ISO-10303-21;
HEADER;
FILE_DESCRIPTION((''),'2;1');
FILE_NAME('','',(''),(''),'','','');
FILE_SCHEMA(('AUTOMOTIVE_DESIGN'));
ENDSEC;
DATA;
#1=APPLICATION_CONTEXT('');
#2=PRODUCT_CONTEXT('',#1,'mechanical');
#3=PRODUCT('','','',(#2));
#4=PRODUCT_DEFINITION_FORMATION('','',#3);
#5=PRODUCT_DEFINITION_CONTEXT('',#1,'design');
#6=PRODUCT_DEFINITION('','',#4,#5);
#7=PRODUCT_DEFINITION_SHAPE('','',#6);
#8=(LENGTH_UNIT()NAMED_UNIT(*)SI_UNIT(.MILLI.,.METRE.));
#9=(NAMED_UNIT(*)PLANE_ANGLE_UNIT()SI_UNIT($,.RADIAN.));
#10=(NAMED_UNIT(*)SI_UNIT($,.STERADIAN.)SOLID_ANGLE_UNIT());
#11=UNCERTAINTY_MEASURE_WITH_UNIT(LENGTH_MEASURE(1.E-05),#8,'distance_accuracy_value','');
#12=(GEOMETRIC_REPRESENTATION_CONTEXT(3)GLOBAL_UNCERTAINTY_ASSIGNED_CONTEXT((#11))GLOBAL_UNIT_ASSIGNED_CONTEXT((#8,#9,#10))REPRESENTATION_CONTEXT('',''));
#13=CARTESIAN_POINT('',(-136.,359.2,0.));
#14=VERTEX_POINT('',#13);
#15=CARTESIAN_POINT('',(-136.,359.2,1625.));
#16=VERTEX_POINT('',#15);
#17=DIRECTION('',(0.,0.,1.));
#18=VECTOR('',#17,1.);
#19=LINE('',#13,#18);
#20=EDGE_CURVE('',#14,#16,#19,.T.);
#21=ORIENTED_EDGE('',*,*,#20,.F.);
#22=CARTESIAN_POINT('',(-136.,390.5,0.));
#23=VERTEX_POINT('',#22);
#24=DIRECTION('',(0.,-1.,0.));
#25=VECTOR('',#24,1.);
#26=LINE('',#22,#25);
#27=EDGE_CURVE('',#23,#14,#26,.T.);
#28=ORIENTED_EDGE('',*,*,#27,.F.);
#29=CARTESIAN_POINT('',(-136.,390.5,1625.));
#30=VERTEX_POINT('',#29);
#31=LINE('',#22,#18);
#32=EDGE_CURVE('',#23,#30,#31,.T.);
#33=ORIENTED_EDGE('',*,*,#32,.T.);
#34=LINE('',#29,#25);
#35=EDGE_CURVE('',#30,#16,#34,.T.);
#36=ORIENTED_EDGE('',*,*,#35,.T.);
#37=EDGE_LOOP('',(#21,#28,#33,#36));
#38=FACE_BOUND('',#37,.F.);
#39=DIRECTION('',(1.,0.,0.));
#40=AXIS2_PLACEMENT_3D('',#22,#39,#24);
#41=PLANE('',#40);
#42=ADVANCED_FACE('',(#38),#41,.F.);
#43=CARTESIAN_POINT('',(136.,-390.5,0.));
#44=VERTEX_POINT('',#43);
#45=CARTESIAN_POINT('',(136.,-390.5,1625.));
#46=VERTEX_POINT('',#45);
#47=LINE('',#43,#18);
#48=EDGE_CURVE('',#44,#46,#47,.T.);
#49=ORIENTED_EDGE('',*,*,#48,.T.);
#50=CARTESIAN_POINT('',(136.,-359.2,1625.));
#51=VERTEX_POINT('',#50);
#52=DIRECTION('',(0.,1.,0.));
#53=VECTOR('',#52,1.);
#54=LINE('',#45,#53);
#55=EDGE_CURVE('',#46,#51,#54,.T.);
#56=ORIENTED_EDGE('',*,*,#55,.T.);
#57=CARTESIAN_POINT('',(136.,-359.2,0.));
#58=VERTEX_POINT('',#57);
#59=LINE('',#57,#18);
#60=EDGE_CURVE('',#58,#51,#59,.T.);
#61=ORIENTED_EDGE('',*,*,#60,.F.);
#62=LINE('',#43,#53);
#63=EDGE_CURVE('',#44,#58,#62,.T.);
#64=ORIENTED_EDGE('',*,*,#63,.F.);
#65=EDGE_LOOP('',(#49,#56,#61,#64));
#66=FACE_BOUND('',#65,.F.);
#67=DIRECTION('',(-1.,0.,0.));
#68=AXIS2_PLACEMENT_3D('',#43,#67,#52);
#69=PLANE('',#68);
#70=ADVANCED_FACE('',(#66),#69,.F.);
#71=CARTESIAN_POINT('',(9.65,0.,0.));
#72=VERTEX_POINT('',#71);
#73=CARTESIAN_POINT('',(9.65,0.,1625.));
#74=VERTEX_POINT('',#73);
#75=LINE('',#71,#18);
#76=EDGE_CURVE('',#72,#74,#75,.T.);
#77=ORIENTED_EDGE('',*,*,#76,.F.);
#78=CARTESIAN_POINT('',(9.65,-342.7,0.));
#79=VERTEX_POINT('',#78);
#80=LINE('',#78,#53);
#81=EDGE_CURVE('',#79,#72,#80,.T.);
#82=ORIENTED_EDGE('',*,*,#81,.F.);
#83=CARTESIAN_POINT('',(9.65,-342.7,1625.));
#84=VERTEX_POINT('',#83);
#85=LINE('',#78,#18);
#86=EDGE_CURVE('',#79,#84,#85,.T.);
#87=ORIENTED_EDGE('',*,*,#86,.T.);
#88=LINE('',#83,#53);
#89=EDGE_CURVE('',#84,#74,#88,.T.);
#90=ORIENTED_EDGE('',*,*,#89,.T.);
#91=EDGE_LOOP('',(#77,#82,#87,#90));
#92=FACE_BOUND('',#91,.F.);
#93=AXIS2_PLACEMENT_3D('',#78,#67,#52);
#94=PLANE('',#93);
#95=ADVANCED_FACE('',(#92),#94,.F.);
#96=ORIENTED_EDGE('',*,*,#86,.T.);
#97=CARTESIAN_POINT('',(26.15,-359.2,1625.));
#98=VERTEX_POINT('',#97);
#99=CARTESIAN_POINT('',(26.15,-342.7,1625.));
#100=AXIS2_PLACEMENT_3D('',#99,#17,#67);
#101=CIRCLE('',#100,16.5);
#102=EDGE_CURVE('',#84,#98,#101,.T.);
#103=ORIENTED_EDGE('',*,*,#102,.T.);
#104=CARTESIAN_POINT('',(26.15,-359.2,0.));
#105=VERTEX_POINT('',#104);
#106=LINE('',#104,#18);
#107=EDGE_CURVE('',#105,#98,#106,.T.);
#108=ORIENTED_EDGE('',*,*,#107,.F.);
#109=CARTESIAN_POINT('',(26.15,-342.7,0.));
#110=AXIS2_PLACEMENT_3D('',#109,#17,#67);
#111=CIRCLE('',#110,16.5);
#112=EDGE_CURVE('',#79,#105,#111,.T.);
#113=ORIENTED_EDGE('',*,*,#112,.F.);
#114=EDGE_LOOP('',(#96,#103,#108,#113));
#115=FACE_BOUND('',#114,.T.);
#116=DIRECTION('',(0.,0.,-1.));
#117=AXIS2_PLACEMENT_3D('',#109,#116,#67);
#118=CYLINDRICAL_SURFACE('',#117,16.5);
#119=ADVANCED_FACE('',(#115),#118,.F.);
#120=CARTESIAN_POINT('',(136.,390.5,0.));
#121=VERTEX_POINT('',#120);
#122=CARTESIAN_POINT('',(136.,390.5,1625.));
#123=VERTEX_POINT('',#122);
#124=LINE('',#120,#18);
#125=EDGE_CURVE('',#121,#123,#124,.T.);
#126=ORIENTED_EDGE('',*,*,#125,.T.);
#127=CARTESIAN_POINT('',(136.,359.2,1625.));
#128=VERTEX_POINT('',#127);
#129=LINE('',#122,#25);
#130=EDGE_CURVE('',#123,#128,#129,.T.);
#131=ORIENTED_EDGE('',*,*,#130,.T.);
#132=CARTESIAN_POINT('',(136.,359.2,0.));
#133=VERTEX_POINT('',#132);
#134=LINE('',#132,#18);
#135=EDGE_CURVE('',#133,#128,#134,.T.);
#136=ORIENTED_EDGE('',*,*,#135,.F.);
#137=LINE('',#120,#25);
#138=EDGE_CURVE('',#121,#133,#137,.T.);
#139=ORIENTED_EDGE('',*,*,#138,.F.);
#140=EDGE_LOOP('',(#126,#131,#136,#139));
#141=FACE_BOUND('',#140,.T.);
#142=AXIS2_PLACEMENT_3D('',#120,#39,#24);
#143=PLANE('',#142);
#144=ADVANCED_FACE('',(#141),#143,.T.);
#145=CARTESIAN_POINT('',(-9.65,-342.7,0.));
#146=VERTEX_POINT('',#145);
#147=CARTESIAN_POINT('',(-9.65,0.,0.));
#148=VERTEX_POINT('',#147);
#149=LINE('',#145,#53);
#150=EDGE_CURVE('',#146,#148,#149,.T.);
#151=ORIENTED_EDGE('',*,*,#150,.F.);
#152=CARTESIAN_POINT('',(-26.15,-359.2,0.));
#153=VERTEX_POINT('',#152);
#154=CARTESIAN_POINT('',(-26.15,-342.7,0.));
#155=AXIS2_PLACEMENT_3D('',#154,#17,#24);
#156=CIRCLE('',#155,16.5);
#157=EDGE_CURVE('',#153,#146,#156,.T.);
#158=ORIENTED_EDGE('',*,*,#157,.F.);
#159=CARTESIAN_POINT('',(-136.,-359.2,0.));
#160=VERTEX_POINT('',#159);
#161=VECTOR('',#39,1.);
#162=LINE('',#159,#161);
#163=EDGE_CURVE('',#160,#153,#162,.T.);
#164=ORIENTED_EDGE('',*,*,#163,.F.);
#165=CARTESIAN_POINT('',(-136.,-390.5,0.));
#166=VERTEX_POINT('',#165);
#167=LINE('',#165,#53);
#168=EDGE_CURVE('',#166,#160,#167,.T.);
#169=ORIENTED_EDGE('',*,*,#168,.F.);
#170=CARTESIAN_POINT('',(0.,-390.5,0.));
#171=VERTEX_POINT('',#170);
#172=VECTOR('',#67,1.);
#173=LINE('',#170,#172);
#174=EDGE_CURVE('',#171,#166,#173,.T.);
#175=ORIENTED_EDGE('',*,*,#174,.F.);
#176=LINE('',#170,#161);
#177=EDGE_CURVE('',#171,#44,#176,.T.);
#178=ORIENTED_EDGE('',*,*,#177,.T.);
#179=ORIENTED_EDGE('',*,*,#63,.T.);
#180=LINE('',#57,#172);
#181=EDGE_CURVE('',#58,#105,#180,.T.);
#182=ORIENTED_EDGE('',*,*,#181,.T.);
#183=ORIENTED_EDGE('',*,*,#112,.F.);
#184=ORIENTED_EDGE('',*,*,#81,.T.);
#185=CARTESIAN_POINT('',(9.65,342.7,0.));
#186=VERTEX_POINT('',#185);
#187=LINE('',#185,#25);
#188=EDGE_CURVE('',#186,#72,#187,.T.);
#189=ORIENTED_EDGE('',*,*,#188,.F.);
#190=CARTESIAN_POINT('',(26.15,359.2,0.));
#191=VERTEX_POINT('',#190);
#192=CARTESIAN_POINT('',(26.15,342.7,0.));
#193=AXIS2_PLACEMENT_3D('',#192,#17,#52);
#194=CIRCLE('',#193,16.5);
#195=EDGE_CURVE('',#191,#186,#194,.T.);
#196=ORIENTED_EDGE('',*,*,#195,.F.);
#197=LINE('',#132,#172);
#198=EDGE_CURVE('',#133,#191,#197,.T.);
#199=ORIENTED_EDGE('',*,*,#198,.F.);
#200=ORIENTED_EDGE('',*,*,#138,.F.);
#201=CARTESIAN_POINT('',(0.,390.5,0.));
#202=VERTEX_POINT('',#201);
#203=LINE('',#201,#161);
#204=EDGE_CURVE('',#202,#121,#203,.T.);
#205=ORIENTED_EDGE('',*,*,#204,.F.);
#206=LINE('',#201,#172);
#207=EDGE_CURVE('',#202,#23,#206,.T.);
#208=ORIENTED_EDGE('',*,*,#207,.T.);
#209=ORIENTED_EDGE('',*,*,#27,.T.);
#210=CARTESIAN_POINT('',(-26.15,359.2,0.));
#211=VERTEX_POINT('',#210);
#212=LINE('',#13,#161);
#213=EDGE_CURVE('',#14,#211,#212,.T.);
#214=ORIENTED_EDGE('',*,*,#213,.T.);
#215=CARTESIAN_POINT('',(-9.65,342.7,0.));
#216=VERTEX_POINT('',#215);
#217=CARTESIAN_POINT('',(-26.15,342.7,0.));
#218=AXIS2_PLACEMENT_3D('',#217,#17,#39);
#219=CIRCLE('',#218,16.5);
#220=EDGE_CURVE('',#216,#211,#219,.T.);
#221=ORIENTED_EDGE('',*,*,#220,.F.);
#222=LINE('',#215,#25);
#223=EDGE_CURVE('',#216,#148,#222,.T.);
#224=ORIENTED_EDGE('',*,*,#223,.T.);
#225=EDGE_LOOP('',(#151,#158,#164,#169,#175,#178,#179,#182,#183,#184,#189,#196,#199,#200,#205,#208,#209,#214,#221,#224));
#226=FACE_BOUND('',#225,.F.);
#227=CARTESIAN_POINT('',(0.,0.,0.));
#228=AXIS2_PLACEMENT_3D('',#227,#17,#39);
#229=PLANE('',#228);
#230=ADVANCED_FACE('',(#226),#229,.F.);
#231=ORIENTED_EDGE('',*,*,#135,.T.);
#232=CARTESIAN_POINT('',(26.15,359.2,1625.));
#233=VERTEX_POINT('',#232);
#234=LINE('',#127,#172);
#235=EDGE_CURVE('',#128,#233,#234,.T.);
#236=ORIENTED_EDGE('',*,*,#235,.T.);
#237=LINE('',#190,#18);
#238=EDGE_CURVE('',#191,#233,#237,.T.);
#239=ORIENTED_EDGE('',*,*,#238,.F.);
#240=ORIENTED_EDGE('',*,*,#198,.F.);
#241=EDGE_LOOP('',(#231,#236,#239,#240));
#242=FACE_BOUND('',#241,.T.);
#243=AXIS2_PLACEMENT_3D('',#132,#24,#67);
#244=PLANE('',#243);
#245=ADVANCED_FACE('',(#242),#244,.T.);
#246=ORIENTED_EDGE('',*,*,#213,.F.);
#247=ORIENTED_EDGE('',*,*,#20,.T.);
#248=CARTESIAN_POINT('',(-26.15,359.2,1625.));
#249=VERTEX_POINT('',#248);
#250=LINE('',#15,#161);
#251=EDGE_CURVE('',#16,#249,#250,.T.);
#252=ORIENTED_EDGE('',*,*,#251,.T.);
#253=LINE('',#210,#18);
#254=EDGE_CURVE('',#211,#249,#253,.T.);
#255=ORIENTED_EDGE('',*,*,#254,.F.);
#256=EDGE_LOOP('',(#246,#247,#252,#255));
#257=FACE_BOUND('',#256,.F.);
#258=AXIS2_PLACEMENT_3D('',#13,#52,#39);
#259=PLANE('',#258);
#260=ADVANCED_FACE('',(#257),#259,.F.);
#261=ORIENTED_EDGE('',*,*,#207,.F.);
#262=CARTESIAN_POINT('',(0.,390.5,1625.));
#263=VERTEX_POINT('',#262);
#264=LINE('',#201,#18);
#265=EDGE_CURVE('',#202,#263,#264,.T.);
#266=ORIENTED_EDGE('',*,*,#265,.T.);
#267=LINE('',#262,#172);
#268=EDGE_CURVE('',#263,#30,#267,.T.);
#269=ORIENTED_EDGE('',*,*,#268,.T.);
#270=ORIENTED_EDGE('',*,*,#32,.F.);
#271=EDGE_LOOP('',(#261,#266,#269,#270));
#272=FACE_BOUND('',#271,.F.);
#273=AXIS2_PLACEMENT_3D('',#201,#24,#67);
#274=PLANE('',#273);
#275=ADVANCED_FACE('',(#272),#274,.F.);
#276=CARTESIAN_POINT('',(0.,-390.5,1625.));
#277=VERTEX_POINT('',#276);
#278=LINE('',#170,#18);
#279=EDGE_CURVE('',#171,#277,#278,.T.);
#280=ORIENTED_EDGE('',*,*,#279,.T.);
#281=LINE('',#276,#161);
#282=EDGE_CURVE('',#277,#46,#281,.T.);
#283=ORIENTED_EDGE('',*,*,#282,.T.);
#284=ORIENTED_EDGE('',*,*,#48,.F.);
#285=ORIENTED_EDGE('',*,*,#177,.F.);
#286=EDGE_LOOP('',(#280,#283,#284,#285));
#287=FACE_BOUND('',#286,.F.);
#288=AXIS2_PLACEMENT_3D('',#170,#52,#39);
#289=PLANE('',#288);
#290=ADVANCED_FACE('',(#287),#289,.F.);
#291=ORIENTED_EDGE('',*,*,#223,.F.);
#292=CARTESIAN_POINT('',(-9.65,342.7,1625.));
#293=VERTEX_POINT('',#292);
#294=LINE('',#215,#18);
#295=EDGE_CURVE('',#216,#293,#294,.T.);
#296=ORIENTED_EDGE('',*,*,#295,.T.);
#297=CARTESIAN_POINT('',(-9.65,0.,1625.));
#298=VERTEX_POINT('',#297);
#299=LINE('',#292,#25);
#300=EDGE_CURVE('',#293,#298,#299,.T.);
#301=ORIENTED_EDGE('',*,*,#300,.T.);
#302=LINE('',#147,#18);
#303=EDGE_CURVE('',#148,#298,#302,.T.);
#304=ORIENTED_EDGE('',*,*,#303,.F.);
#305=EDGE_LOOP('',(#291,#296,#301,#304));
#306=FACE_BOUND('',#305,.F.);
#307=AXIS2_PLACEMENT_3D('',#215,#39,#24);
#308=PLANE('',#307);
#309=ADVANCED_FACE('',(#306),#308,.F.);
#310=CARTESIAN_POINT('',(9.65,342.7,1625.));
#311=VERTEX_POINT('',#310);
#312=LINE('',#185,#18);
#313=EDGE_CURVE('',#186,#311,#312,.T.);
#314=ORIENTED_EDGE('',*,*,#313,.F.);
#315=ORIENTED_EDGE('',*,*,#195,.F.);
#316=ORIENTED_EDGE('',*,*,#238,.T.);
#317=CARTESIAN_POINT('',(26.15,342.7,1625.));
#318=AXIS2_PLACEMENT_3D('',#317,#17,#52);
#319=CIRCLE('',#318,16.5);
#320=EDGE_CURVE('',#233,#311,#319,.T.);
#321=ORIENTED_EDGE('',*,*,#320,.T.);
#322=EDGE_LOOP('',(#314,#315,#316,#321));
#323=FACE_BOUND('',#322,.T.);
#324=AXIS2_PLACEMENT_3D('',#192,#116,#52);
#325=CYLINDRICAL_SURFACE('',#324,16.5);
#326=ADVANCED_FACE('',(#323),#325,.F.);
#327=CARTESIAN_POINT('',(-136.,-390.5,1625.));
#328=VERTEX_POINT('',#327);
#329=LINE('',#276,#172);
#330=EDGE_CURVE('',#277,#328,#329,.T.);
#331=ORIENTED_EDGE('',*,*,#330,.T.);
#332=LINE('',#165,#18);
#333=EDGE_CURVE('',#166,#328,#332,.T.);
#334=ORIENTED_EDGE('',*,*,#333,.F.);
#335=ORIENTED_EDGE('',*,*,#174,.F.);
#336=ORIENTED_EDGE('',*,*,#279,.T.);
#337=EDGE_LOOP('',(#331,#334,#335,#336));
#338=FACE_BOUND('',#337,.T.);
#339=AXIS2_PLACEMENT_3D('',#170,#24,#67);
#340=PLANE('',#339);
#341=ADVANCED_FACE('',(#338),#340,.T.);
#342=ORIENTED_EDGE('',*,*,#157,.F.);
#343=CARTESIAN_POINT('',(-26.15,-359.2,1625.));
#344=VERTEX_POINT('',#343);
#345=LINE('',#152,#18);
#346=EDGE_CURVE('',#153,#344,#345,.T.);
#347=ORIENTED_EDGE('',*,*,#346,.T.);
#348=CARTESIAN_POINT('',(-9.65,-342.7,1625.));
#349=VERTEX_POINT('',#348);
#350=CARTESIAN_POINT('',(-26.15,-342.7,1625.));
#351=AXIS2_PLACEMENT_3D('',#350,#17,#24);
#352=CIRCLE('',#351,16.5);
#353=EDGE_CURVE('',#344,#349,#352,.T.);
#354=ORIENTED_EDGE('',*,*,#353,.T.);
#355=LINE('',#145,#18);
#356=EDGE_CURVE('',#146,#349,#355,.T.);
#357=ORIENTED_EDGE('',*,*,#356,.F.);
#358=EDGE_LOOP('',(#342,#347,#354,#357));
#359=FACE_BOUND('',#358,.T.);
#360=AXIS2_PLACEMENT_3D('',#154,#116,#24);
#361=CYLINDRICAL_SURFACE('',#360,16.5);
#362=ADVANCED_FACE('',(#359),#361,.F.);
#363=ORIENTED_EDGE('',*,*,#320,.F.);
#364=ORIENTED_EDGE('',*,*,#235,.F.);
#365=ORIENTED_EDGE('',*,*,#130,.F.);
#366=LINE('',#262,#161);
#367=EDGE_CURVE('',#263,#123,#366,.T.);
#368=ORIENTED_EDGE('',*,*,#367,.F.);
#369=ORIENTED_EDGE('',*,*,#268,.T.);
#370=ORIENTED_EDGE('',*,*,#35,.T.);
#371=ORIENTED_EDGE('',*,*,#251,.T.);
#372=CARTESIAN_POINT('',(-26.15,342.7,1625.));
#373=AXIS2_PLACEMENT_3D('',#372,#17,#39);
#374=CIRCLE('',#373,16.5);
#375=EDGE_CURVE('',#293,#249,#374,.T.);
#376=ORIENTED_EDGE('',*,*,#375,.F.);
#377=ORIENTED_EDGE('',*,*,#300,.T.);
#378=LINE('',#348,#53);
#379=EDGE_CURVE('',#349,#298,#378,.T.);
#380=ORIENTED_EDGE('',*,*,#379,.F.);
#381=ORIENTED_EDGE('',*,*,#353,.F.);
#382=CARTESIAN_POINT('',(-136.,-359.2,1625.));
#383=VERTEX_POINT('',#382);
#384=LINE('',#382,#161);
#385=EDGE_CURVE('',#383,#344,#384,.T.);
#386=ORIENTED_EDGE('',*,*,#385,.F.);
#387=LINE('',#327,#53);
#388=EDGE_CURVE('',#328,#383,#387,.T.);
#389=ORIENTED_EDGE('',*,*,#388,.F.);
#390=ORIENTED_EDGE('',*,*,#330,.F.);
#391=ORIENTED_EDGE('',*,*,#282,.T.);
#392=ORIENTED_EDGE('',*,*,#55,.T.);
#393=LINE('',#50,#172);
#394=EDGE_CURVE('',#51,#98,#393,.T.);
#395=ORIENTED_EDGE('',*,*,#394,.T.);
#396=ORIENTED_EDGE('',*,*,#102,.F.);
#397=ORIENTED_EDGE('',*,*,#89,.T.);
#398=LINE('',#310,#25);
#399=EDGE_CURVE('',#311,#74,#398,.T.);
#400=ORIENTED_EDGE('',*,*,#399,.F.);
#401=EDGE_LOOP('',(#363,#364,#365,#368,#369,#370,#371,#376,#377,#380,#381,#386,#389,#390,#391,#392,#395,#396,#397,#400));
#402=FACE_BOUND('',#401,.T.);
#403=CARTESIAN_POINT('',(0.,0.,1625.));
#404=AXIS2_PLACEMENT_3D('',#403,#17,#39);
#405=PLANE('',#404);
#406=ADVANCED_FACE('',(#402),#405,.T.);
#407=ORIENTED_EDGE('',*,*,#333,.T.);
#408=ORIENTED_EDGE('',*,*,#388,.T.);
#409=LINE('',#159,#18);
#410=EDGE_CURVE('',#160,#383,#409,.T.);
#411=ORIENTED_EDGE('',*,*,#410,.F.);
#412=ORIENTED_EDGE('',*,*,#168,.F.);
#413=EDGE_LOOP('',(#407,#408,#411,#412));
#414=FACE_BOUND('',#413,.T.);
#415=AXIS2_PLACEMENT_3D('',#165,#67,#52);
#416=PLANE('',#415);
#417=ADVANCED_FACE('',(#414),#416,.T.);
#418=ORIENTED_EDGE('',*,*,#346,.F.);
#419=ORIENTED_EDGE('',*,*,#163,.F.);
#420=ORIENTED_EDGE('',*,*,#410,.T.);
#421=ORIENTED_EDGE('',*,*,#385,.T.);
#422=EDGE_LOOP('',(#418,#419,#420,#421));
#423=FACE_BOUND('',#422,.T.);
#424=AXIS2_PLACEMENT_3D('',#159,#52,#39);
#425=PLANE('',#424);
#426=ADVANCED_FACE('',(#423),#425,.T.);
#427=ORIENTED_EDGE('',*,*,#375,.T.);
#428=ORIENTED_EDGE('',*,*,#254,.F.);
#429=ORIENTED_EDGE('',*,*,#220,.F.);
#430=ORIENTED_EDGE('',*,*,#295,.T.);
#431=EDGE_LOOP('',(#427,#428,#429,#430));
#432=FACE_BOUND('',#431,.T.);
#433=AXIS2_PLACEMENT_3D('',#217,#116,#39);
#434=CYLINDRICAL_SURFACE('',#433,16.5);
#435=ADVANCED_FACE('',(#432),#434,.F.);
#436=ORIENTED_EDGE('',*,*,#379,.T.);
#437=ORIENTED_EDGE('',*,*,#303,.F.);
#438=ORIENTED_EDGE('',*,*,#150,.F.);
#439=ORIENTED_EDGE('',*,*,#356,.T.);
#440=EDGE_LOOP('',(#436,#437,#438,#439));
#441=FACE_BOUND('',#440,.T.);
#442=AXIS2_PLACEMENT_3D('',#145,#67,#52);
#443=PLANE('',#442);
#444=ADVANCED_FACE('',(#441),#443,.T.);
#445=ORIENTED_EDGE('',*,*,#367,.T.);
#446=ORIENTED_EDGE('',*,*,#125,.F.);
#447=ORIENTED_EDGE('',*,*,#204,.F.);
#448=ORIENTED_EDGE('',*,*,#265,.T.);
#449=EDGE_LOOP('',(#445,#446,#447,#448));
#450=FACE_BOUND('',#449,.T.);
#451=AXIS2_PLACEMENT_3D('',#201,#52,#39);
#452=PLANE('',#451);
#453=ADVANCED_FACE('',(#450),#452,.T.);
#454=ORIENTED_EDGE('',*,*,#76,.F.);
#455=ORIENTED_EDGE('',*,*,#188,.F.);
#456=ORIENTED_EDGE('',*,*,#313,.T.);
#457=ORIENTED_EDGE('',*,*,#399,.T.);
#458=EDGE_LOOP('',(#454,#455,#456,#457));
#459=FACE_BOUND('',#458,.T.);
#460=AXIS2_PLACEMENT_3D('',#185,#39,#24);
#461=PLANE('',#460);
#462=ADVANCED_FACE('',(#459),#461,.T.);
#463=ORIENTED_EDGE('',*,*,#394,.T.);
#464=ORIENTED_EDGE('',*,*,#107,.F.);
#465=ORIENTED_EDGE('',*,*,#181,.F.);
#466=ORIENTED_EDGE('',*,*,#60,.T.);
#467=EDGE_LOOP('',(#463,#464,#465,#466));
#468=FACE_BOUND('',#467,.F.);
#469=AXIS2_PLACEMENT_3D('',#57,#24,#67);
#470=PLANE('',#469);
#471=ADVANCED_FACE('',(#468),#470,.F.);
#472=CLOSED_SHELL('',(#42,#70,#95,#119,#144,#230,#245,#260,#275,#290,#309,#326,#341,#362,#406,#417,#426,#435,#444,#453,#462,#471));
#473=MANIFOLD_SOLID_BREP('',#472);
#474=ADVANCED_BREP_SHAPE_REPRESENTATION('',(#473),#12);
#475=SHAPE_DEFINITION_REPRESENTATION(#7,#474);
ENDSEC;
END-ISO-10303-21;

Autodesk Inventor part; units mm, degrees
ref_plane "YZ Plane" through (0, 0, 0) normal (1, 0, 0) x (0, 1, 0)
ref_plane "Start plane" through (0, 0, 0) normal (0, 0, 1) x (1, 0, 0)
ref_plane "End plane" through (0, 0, 1625) normal (0, 0, 1) x (1, 0, 0)
sketch "Sketch" plane through (0, 0, 0) normal (0, 0, 1) x (1, 0, 0)
  line L0 (-136, -390.5) -> (-136, -359.2)
  line L1 (-136, -359.2) -> (-26.15, -359.2)
  line L2 (-9.65, -342.7) -> (-9.65, 0)
  line L3 (-9.65, 0) -> (0, 0) construction
  line L4 (0, 0) -> (0, -390.5) construction
  line L5 (0, -390.5) -> (-136, -390.5)
  line L6 (-60, 0) -> (80, 0) construction
  line L7 (0, -60) -> (0, 80) construction
  line L8 (136, -390.5) -> (136, -359.2)
  line L9 (136, -359.2) -> (26.15, -359.2)
  line L10 (9.65, -342.7) -> (9.65, 0)
  line L11 (9.65, 0) -> (0, 0) construction
  line L12 (0, -390.5) -> (136, -390.5)
  line L13 (-136, 390.5) -> (-136, 359.2)
  line L14 (-136, 359.2) -> (-26.15, 359.2)
  line L15 (-9.65, 342.7) -> (-9.65, 0)
  line L16 (0, 390.5) -> (-136, 390.5)
  line L17 (136, 390.5) -> (136, 359.2)
  line L18 (136, 359.2) -> (26.15, 359.2)
  line L19 (0, 390.5) -> (136, 390.5)
  line L20 (9.65, 342.7) -> (9.65, 0)
  arc A0 (-9.65, 342.7) -> (-26.15, 359.2) centre (-26.15, 342.7) ccw
  arc A1 (26.15, 359.2) -> (9.65, 342.7) centre (26.15, 342.7) ccw
  arc A2 (9.65, -342.7) -> (26.15, -359.2) centre (26.15, -342.7) ccw
  arc A3 (-26.15, -359.2) -> (-9.65, -342.7) centre (-26.15, -342.7) ccw
  line L21 (0, 108) -> (0, -88) construction
  line L22 (-88, 0) -> (108, 0) construction
  point P0 (-9.65, -359.2)
  point P1 (9.65, -359.2)
  point P2 (-9.65, 359.2)
  point P3 (9.65, 359.2)
  dimension "d1" = 390.5
  dimension "d2" = 31.3
  dimension "d3" = 136
  dimension "d4" = 9.65
  dimension "d10" = 16.5
extrude "Body" add sketch "Sketch" along normal up to surface (1625 mm away) from surface at 0
sketch "Sketch4" plane through (0, 0, 0) normal (0, 0, 1) x (1, 0, 0)
  line L0 (0, 0) -> (10, 0)
ref_plane "Work Plane3" through (0, 0, 0) normal (0, -1, 0) x (1, 0, 0)
sketch "Sketch5" plane through (0, 0, 0) normal (0, -1, 0) x (1, 0, 0)
  line L0 (-2, 0) -> (12, 0) projected
  line L1 (-2, 1625) -> (12, 1625) projected
  dimension "d14" = 1625
equation "\"d1\" = 0.5 * G_H"
equation "\"d2\" = G_T1"
equation "\"d3\" = 0.5 * G_W"
equation "\"d4\" = 0.5 * G_T"
equation "\"d10\" = G_IR"
equation "\"d5\" = G_L"
equation "\"G_W\" = 272"
equation "\"G_H\" = 781"
equation "\"G_T\" = 19.3"
equation "\"G_T1\" = 31.3"
equation "\"G_IR\" = 16.5"
equation "\"G_L\" = d14"
equation "\"G_OFFSET_START\" = 0"
equation "\"G_OFFSET_END\" = 0"
equation "\"d12\" = G_OFFSET_END + B_L"
equation "\"B_L\" = 1625"
properties part number "AS 3679-1990 - 760 UB - 244 - 1625" material "Steel, Mild"
